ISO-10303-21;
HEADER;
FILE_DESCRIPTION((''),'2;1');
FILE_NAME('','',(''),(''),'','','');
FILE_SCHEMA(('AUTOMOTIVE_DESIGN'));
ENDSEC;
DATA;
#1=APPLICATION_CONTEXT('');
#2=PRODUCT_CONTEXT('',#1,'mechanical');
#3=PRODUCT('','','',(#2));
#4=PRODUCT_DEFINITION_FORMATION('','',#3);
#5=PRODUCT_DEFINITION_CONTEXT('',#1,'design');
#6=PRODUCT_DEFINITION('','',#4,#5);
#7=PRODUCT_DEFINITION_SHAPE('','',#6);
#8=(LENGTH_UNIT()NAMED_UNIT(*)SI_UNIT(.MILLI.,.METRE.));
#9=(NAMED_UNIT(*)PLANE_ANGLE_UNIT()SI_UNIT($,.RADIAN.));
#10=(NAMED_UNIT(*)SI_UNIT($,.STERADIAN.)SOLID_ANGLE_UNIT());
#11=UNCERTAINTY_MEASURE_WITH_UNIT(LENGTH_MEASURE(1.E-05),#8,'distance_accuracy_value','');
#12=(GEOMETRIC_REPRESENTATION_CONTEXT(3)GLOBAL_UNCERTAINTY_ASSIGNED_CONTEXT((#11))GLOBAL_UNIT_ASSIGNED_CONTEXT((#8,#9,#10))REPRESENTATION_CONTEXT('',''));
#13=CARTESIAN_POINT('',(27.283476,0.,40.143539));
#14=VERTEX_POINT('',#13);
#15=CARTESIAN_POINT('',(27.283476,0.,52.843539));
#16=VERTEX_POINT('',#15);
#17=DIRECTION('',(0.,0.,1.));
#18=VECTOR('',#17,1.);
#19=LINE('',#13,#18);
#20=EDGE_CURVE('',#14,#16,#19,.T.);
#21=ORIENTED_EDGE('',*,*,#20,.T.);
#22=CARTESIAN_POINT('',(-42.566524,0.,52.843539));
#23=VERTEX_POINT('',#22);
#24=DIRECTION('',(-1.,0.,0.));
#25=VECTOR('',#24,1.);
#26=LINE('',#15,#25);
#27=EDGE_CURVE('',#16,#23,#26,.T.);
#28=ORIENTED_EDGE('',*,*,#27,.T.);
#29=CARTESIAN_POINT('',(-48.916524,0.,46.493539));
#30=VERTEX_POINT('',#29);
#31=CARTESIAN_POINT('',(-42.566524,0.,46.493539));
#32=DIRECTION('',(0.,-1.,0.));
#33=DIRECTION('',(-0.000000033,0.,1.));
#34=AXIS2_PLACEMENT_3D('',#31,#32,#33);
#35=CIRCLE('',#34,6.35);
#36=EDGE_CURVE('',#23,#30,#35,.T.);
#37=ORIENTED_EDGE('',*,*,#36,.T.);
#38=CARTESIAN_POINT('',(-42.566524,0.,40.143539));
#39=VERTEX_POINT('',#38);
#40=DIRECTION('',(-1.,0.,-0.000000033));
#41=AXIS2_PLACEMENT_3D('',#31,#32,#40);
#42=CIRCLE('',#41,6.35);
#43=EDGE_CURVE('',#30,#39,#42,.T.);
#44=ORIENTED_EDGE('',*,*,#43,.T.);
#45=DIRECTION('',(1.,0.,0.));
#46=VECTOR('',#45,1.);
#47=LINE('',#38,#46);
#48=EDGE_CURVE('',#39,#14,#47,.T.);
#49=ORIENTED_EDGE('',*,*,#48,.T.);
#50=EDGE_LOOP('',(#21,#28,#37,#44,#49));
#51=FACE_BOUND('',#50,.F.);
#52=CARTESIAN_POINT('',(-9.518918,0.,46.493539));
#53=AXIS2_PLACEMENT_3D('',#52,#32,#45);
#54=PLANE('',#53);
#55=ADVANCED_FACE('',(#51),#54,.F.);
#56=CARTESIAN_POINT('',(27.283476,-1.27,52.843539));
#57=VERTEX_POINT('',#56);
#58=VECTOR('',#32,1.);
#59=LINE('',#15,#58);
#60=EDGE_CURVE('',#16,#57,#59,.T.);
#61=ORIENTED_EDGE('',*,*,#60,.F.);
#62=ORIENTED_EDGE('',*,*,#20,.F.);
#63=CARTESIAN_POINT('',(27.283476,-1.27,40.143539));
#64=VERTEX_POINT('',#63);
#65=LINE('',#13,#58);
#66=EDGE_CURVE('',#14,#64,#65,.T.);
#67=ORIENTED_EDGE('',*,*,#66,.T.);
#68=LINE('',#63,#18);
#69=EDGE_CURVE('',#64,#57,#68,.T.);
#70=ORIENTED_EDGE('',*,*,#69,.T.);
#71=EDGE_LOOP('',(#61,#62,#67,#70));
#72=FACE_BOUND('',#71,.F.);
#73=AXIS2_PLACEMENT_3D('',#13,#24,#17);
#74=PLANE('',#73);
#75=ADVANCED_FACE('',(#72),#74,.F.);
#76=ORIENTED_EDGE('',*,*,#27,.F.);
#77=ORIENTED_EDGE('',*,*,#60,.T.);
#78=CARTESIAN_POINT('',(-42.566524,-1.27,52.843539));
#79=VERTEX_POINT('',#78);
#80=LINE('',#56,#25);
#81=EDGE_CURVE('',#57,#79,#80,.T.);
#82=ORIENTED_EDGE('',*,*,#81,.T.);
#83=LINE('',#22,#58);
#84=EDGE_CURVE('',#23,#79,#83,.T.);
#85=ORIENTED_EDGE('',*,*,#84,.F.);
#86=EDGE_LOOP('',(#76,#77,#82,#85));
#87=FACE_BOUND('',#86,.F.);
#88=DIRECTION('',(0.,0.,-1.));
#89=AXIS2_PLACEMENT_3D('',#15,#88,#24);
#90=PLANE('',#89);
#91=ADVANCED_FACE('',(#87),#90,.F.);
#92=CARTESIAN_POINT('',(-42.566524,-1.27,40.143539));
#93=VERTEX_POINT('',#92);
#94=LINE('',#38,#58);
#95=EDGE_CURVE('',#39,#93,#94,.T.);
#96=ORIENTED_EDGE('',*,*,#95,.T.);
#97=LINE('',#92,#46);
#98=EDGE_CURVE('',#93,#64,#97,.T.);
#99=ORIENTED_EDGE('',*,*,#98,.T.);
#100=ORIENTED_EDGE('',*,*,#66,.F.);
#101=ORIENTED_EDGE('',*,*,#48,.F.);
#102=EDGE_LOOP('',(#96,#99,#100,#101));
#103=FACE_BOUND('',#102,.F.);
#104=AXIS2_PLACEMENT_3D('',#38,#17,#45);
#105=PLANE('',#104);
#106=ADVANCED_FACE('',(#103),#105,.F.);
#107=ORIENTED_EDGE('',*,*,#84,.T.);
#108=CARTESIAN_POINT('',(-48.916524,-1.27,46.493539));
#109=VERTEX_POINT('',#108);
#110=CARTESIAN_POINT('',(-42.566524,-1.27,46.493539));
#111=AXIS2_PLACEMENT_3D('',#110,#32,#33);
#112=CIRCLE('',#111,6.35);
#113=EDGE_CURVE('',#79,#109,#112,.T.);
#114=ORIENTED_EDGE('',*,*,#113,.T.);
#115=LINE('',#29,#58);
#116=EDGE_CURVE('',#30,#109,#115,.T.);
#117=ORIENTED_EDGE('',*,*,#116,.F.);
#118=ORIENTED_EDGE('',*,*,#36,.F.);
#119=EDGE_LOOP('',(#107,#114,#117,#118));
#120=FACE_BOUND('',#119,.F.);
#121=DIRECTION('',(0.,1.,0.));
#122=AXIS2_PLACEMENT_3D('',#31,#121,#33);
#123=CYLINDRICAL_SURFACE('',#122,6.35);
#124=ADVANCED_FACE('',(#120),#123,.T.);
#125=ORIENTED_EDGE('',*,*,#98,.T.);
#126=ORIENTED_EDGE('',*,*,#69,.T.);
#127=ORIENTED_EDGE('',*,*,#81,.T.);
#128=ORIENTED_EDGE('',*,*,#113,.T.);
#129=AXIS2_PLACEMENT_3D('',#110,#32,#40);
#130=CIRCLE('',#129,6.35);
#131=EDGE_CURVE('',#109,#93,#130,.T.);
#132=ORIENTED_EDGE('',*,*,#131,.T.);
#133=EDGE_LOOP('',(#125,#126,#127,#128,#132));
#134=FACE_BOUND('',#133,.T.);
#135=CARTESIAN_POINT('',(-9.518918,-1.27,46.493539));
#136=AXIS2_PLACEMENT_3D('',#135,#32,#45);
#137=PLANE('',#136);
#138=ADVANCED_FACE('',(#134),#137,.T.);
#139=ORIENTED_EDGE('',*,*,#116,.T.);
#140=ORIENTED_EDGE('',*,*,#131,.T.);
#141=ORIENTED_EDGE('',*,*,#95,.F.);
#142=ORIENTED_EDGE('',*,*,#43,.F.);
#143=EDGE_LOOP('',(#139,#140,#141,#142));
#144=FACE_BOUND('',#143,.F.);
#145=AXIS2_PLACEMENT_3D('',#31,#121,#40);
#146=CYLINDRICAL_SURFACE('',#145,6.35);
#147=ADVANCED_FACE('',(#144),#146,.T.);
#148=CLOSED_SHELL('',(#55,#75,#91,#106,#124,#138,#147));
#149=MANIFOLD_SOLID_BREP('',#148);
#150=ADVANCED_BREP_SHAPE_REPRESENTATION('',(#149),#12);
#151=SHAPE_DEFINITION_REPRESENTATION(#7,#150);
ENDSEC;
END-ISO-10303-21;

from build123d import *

# Parameters (mm, degrees)
F1_DEPTH = 1.27


with BuildPart() as f1:
    # F0 (on Front) → F1 (new body)
    with BuildSketch(Plane.XZ):
        with BuildLine():
            Line((27.283476, 52.843539), (-42.566524, 52.843539))
            ThreePointArc((-42.566524, 52.843539), (-47.056652, 50.983667), (-48.916524, 46.493539))
            ThreePointArc((-48.916524, 46.493539), (-47.056652, 42.003411), (-42.566524, 40.143539))
            Line((-42.566524, 40.143539), (27.283476, 40.143539))
            Line((27.283476, 40.143539), (27.283476, 52.843539))
        make_face()
    extrude(amount=F1_DEPTH)


solid = f1.part
